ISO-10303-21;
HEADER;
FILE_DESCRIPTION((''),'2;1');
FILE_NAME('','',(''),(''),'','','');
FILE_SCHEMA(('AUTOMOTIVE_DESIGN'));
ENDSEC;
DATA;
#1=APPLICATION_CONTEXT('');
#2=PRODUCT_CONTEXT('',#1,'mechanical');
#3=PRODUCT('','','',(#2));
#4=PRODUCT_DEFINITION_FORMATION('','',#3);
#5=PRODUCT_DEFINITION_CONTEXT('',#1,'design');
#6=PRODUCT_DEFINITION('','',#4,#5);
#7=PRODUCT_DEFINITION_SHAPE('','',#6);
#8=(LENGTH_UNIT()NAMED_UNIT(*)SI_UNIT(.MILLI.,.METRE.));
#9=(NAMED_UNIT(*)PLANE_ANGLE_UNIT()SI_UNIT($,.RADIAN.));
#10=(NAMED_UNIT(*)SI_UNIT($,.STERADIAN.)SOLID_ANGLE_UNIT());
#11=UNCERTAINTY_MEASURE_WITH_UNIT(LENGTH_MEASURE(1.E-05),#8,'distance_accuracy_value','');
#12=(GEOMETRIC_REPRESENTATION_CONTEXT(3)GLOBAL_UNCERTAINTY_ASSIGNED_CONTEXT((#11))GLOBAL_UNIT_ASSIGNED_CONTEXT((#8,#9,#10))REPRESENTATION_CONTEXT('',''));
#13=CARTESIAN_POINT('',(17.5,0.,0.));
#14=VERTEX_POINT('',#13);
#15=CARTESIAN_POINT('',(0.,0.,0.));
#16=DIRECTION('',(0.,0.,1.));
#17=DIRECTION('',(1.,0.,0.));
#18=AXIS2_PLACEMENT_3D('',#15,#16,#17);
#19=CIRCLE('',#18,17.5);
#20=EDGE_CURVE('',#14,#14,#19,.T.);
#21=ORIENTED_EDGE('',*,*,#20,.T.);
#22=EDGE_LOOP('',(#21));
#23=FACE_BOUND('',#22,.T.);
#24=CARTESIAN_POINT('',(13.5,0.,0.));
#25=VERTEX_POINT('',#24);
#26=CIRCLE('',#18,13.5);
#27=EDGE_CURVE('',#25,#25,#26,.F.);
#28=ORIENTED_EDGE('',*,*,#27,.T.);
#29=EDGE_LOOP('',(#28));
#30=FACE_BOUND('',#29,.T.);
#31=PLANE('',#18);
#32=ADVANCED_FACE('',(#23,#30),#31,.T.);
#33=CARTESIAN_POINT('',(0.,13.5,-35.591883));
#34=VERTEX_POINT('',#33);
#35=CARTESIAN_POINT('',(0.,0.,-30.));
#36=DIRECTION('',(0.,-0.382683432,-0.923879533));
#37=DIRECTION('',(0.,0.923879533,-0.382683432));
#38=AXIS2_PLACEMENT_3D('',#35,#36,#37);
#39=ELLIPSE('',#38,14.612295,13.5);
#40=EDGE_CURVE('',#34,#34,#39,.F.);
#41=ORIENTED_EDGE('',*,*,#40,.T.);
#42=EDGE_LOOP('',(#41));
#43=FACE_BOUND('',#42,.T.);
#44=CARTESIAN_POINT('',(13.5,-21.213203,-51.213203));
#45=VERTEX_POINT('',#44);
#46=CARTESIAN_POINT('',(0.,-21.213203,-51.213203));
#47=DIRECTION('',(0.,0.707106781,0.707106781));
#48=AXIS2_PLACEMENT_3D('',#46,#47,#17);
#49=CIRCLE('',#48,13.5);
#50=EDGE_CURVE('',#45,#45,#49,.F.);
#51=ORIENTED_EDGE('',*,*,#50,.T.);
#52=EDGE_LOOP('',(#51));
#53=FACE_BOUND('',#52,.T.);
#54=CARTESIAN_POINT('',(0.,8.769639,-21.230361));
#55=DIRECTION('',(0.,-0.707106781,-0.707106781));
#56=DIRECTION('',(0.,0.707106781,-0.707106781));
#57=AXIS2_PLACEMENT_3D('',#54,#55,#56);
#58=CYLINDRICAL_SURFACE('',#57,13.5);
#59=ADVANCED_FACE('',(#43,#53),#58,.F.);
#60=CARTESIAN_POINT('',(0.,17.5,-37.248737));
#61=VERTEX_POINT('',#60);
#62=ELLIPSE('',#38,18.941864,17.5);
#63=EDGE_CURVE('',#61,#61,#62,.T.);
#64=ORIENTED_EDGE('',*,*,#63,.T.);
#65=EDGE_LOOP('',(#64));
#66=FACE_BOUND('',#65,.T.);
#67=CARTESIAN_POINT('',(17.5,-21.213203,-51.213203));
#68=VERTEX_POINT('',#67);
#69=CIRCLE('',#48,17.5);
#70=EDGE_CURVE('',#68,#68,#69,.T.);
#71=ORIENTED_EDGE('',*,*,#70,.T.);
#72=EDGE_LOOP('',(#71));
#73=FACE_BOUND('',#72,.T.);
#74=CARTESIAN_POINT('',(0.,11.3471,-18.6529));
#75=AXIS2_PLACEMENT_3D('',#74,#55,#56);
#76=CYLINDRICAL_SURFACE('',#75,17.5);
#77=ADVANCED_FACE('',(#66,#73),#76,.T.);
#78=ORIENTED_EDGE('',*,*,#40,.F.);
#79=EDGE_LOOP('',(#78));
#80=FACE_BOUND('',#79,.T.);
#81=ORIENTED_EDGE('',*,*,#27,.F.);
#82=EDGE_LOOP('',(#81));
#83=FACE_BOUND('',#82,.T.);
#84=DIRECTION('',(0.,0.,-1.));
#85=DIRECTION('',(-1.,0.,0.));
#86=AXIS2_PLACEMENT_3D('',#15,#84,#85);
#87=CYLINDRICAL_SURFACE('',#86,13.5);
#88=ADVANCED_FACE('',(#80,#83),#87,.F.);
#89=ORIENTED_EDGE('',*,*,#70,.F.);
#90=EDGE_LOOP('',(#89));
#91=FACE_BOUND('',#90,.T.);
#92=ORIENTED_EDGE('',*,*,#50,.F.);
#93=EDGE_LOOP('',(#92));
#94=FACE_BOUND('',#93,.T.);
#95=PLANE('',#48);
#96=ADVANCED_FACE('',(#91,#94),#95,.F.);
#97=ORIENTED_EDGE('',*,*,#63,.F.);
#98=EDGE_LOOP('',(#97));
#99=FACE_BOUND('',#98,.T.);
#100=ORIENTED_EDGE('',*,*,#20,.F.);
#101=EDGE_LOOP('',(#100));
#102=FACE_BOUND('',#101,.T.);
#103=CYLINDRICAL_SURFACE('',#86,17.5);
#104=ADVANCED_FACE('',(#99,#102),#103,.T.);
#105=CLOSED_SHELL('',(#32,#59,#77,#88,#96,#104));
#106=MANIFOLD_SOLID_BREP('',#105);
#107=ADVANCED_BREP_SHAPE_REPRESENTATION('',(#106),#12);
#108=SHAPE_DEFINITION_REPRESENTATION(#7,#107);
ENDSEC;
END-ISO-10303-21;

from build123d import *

# Parameters (mm, degrees)
SKETCH1_R   = 17.5
SKETCH1_R_2 = 13.5


with BuildPart() as part:
    # Sweep1: sweep along a curve in space
    with BuildLine() as sweep1_path:
        Line((0, 0, 0), (0, 0, -30))
        Line((0, 0, -30), (0, -21.213203436, -51.213203436))
    # Sketch1 → Sweep1 (sweep)
    with BuildSketch(Plane.XY):
        Circle(SKETCH1_R)
        Circle(SKETCH1_R_2, mode=Mode.SUBTRACT)
    sweep(path=sweep1_path.line, transition=Transition.RIGHT)


solid = part.part
